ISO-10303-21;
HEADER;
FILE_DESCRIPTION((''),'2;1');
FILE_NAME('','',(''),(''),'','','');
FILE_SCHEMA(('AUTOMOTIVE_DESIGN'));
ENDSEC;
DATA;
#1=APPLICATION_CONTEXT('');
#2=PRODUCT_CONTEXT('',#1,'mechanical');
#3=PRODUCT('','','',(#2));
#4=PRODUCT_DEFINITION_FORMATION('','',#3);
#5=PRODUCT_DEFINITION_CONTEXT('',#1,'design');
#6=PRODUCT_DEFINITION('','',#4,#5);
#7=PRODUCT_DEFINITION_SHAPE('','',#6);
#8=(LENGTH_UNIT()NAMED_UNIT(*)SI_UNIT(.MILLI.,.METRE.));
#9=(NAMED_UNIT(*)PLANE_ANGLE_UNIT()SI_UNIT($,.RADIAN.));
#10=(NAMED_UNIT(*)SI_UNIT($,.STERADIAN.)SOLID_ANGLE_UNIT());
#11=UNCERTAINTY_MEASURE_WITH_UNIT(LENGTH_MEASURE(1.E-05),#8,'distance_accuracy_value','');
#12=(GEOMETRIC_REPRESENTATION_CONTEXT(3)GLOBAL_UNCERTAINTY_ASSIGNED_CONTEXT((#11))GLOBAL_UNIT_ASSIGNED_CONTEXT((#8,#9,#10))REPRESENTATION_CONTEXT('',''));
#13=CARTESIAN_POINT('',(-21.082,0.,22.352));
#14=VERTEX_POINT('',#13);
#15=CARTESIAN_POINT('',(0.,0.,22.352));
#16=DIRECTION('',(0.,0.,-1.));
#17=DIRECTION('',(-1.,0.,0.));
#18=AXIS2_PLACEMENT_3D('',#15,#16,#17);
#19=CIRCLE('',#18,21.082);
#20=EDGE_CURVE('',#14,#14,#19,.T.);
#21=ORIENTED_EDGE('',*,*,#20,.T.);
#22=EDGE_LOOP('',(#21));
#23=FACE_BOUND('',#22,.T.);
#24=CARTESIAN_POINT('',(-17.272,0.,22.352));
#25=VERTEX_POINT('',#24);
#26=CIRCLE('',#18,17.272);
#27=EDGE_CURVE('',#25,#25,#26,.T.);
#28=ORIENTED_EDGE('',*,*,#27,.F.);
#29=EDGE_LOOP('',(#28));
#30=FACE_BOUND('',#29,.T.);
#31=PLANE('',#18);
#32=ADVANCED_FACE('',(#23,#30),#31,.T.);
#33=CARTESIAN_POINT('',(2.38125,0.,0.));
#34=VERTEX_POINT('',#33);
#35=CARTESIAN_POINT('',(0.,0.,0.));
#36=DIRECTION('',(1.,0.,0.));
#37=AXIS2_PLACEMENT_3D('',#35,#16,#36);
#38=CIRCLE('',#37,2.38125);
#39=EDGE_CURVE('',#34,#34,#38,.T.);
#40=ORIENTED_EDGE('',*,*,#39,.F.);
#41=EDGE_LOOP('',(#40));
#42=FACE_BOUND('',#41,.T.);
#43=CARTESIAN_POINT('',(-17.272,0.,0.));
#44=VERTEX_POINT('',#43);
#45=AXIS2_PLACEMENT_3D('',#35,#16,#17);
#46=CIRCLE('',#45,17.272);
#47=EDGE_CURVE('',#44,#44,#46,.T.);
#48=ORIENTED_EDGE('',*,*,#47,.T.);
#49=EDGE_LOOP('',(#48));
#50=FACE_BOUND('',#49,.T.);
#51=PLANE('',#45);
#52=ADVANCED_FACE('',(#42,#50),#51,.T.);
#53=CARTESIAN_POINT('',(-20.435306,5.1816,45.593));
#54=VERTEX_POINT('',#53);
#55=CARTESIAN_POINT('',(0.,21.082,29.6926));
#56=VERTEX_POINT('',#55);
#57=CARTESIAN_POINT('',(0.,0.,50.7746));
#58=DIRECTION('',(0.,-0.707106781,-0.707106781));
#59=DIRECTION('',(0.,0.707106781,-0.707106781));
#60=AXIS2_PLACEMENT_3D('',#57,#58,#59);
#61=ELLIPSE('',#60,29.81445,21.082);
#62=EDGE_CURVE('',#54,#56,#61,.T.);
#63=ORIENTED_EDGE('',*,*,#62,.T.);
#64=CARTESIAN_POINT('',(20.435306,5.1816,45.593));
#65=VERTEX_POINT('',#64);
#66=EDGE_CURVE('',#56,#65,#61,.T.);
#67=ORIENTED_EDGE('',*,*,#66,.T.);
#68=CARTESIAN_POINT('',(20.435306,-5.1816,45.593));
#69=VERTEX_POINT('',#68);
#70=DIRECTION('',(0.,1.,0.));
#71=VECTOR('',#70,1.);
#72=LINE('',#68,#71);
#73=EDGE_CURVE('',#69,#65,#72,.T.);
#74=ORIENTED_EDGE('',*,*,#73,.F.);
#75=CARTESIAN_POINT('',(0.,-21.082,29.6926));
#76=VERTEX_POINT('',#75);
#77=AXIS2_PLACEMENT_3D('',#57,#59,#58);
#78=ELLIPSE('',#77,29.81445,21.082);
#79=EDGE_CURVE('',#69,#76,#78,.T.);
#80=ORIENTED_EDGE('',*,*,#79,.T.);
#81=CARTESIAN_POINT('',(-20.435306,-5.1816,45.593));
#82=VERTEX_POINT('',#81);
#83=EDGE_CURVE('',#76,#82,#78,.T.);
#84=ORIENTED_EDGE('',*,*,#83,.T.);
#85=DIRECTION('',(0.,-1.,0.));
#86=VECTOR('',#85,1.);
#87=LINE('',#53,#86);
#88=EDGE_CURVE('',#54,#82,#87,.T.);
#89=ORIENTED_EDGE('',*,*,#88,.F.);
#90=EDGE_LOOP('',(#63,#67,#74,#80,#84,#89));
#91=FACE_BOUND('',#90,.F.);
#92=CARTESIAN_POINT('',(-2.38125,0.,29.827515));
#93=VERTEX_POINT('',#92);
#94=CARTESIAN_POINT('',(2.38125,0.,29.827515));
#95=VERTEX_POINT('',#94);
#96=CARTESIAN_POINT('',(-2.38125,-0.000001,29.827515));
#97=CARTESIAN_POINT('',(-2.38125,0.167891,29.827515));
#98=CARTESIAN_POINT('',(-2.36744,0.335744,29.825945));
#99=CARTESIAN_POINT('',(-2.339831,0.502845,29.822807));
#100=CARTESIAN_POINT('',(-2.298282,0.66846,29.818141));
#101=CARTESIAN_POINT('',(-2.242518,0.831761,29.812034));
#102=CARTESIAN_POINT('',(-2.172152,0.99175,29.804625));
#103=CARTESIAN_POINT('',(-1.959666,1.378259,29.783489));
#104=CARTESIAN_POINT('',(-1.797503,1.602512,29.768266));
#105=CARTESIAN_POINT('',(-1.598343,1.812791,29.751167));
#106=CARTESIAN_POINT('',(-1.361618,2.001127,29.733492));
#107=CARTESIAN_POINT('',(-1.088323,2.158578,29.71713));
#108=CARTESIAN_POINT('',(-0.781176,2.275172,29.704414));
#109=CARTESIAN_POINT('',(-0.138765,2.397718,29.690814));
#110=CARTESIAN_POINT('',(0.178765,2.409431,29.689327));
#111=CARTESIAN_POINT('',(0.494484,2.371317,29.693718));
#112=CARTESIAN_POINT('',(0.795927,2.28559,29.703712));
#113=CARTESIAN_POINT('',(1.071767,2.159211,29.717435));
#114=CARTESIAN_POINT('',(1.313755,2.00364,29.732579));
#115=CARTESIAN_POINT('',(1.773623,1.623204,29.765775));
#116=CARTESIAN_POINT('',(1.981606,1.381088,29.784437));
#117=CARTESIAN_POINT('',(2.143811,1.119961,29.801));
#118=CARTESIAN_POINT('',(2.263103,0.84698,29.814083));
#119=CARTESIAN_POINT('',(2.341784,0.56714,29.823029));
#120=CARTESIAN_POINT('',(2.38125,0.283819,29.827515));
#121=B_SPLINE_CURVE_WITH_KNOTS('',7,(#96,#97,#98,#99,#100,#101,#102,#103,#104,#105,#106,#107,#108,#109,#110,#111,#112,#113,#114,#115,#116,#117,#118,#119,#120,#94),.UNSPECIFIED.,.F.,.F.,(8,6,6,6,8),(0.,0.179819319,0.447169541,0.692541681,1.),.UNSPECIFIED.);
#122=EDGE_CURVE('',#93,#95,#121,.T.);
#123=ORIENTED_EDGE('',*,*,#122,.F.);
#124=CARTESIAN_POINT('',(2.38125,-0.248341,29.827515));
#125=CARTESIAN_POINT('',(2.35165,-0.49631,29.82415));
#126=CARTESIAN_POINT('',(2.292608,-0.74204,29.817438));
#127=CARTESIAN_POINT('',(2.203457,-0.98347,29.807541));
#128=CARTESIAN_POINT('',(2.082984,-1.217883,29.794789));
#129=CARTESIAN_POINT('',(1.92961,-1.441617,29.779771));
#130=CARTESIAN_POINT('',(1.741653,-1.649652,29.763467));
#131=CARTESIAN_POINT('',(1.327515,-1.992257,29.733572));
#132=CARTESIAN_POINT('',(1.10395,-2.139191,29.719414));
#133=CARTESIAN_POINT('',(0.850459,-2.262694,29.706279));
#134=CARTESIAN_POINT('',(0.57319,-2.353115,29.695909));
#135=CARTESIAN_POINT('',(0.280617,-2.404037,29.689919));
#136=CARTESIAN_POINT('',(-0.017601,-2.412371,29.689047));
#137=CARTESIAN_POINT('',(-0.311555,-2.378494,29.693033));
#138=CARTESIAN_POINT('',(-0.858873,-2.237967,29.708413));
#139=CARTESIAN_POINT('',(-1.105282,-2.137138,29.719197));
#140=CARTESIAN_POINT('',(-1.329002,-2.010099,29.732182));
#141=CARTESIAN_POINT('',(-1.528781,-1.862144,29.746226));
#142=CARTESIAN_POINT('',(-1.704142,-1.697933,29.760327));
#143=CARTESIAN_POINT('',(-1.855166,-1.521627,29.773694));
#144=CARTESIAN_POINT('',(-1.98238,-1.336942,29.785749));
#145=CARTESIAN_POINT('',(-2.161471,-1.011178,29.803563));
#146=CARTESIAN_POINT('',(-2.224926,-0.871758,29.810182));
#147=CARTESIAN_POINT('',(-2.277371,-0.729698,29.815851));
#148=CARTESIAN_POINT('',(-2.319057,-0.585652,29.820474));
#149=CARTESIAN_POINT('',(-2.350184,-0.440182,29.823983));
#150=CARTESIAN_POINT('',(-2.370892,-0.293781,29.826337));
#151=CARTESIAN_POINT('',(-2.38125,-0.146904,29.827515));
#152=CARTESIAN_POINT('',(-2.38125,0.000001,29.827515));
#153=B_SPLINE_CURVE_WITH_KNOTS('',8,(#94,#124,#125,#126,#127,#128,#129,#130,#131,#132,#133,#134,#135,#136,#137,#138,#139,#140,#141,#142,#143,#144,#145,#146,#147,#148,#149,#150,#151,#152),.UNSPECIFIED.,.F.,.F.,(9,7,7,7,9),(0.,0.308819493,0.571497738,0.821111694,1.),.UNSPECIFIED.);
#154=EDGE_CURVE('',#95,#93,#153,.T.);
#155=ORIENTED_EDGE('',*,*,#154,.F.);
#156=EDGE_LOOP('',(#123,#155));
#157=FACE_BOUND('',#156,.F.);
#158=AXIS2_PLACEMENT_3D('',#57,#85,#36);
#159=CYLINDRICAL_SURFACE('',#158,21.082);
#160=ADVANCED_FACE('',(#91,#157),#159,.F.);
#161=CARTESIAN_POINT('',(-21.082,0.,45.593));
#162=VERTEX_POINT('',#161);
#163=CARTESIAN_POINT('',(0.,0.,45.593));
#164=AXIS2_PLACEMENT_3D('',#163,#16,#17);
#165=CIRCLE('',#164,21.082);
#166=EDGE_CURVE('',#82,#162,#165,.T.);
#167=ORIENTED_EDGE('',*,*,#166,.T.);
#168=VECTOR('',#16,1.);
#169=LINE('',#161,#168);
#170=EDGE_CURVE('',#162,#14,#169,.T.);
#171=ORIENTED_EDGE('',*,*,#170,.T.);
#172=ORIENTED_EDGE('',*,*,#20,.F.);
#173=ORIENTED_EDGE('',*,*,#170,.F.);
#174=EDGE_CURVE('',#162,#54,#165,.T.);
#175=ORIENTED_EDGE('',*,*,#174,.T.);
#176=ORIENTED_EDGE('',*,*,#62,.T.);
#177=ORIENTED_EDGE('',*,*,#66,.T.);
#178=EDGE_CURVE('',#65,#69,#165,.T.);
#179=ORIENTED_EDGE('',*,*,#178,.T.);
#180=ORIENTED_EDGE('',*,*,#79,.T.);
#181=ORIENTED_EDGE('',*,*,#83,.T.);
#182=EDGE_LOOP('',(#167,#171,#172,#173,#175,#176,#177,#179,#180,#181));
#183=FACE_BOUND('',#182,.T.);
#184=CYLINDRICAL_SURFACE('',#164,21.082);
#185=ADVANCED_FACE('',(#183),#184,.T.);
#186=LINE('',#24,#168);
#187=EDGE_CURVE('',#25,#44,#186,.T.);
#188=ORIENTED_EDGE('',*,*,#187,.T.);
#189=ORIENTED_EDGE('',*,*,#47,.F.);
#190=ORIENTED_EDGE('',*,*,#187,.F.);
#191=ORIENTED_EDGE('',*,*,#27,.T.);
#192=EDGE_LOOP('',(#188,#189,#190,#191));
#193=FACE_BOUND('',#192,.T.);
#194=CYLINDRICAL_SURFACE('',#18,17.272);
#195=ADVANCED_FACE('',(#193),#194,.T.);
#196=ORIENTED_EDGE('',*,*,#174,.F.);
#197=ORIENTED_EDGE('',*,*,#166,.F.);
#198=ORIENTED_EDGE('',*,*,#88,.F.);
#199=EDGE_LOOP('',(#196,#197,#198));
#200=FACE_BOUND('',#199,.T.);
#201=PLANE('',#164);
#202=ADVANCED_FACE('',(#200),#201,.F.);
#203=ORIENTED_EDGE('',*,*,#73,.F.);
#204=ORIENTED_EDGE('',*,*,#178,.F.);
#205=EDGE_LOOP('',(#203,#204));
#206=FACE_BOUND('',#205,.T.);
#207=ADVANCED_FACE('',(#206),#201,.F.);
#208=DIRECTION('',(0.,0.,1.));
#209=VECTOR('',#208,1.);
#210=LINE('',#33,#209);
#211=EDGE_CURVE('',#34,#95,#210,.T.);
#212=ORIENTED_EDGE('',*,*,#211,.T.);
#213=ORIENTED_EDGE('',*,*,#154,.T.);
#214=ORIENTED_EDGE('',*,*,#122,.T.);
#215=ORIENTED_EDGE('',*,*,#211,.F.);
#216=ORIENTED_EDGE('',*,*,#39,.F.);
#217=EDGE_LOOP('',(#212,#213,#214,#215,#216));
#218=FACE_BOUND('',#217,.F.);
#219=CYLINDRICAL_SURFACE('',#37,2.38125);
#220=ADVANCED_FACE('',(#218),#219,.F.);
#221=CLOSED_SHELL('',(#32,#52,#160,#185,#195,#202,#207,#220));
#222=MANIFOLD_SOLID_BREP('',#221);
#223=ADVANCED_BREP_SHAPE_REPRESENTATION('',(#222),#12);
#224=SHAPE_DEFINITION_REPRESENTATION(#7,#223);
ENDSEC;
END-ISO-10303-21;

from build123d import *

# Parameters (mm, degrees)
F2_R          = 2.38125
F3_DEPTH      = 45.594
F4_R          = 21.082
F5_DEPTH      = 21.083
F5_DEPTH_BACK = 21.083


with BuildPart() as f1:
    # F0 (on Front) → F1 (revolve)
    with BuildSketch(Plane.XZ):
        Polygon((-17.272, 0), (0, 0), (0, 45.593), (-21.082, 45.593), (-21.082, 22.352), (-17.272, 22.352), align=None)
    revolve(axis=Axis((0, 0, 22.7965), (0, 0, -1)))

    # F2 (on face) → F3 (cut, through all)
    with BuildSketch(Plane(origin=(0, 0, 0), x_dir=(1, 0, 0), z_dir=(0, 0, -1))):
        Circle(F2_R)
    extrude(amount=-F3_DEPTH, mode=Mode.SUBTRACT)

    # F4 (on Front) → F5 (cut, two sides)
    with BuildSketch(Plane.XZ) as f5_sk:
        with Locations((0, 50.7746)):
            Circle(F4_R)
    extrude(amount=-F5_DEPTH, mode=Mode.SUBTRACT)
    extrude(f5_sk.sketch, amount=F5_DEPTH_BACK, mode=Mode.SUBTRACT)


solid = f1.part
